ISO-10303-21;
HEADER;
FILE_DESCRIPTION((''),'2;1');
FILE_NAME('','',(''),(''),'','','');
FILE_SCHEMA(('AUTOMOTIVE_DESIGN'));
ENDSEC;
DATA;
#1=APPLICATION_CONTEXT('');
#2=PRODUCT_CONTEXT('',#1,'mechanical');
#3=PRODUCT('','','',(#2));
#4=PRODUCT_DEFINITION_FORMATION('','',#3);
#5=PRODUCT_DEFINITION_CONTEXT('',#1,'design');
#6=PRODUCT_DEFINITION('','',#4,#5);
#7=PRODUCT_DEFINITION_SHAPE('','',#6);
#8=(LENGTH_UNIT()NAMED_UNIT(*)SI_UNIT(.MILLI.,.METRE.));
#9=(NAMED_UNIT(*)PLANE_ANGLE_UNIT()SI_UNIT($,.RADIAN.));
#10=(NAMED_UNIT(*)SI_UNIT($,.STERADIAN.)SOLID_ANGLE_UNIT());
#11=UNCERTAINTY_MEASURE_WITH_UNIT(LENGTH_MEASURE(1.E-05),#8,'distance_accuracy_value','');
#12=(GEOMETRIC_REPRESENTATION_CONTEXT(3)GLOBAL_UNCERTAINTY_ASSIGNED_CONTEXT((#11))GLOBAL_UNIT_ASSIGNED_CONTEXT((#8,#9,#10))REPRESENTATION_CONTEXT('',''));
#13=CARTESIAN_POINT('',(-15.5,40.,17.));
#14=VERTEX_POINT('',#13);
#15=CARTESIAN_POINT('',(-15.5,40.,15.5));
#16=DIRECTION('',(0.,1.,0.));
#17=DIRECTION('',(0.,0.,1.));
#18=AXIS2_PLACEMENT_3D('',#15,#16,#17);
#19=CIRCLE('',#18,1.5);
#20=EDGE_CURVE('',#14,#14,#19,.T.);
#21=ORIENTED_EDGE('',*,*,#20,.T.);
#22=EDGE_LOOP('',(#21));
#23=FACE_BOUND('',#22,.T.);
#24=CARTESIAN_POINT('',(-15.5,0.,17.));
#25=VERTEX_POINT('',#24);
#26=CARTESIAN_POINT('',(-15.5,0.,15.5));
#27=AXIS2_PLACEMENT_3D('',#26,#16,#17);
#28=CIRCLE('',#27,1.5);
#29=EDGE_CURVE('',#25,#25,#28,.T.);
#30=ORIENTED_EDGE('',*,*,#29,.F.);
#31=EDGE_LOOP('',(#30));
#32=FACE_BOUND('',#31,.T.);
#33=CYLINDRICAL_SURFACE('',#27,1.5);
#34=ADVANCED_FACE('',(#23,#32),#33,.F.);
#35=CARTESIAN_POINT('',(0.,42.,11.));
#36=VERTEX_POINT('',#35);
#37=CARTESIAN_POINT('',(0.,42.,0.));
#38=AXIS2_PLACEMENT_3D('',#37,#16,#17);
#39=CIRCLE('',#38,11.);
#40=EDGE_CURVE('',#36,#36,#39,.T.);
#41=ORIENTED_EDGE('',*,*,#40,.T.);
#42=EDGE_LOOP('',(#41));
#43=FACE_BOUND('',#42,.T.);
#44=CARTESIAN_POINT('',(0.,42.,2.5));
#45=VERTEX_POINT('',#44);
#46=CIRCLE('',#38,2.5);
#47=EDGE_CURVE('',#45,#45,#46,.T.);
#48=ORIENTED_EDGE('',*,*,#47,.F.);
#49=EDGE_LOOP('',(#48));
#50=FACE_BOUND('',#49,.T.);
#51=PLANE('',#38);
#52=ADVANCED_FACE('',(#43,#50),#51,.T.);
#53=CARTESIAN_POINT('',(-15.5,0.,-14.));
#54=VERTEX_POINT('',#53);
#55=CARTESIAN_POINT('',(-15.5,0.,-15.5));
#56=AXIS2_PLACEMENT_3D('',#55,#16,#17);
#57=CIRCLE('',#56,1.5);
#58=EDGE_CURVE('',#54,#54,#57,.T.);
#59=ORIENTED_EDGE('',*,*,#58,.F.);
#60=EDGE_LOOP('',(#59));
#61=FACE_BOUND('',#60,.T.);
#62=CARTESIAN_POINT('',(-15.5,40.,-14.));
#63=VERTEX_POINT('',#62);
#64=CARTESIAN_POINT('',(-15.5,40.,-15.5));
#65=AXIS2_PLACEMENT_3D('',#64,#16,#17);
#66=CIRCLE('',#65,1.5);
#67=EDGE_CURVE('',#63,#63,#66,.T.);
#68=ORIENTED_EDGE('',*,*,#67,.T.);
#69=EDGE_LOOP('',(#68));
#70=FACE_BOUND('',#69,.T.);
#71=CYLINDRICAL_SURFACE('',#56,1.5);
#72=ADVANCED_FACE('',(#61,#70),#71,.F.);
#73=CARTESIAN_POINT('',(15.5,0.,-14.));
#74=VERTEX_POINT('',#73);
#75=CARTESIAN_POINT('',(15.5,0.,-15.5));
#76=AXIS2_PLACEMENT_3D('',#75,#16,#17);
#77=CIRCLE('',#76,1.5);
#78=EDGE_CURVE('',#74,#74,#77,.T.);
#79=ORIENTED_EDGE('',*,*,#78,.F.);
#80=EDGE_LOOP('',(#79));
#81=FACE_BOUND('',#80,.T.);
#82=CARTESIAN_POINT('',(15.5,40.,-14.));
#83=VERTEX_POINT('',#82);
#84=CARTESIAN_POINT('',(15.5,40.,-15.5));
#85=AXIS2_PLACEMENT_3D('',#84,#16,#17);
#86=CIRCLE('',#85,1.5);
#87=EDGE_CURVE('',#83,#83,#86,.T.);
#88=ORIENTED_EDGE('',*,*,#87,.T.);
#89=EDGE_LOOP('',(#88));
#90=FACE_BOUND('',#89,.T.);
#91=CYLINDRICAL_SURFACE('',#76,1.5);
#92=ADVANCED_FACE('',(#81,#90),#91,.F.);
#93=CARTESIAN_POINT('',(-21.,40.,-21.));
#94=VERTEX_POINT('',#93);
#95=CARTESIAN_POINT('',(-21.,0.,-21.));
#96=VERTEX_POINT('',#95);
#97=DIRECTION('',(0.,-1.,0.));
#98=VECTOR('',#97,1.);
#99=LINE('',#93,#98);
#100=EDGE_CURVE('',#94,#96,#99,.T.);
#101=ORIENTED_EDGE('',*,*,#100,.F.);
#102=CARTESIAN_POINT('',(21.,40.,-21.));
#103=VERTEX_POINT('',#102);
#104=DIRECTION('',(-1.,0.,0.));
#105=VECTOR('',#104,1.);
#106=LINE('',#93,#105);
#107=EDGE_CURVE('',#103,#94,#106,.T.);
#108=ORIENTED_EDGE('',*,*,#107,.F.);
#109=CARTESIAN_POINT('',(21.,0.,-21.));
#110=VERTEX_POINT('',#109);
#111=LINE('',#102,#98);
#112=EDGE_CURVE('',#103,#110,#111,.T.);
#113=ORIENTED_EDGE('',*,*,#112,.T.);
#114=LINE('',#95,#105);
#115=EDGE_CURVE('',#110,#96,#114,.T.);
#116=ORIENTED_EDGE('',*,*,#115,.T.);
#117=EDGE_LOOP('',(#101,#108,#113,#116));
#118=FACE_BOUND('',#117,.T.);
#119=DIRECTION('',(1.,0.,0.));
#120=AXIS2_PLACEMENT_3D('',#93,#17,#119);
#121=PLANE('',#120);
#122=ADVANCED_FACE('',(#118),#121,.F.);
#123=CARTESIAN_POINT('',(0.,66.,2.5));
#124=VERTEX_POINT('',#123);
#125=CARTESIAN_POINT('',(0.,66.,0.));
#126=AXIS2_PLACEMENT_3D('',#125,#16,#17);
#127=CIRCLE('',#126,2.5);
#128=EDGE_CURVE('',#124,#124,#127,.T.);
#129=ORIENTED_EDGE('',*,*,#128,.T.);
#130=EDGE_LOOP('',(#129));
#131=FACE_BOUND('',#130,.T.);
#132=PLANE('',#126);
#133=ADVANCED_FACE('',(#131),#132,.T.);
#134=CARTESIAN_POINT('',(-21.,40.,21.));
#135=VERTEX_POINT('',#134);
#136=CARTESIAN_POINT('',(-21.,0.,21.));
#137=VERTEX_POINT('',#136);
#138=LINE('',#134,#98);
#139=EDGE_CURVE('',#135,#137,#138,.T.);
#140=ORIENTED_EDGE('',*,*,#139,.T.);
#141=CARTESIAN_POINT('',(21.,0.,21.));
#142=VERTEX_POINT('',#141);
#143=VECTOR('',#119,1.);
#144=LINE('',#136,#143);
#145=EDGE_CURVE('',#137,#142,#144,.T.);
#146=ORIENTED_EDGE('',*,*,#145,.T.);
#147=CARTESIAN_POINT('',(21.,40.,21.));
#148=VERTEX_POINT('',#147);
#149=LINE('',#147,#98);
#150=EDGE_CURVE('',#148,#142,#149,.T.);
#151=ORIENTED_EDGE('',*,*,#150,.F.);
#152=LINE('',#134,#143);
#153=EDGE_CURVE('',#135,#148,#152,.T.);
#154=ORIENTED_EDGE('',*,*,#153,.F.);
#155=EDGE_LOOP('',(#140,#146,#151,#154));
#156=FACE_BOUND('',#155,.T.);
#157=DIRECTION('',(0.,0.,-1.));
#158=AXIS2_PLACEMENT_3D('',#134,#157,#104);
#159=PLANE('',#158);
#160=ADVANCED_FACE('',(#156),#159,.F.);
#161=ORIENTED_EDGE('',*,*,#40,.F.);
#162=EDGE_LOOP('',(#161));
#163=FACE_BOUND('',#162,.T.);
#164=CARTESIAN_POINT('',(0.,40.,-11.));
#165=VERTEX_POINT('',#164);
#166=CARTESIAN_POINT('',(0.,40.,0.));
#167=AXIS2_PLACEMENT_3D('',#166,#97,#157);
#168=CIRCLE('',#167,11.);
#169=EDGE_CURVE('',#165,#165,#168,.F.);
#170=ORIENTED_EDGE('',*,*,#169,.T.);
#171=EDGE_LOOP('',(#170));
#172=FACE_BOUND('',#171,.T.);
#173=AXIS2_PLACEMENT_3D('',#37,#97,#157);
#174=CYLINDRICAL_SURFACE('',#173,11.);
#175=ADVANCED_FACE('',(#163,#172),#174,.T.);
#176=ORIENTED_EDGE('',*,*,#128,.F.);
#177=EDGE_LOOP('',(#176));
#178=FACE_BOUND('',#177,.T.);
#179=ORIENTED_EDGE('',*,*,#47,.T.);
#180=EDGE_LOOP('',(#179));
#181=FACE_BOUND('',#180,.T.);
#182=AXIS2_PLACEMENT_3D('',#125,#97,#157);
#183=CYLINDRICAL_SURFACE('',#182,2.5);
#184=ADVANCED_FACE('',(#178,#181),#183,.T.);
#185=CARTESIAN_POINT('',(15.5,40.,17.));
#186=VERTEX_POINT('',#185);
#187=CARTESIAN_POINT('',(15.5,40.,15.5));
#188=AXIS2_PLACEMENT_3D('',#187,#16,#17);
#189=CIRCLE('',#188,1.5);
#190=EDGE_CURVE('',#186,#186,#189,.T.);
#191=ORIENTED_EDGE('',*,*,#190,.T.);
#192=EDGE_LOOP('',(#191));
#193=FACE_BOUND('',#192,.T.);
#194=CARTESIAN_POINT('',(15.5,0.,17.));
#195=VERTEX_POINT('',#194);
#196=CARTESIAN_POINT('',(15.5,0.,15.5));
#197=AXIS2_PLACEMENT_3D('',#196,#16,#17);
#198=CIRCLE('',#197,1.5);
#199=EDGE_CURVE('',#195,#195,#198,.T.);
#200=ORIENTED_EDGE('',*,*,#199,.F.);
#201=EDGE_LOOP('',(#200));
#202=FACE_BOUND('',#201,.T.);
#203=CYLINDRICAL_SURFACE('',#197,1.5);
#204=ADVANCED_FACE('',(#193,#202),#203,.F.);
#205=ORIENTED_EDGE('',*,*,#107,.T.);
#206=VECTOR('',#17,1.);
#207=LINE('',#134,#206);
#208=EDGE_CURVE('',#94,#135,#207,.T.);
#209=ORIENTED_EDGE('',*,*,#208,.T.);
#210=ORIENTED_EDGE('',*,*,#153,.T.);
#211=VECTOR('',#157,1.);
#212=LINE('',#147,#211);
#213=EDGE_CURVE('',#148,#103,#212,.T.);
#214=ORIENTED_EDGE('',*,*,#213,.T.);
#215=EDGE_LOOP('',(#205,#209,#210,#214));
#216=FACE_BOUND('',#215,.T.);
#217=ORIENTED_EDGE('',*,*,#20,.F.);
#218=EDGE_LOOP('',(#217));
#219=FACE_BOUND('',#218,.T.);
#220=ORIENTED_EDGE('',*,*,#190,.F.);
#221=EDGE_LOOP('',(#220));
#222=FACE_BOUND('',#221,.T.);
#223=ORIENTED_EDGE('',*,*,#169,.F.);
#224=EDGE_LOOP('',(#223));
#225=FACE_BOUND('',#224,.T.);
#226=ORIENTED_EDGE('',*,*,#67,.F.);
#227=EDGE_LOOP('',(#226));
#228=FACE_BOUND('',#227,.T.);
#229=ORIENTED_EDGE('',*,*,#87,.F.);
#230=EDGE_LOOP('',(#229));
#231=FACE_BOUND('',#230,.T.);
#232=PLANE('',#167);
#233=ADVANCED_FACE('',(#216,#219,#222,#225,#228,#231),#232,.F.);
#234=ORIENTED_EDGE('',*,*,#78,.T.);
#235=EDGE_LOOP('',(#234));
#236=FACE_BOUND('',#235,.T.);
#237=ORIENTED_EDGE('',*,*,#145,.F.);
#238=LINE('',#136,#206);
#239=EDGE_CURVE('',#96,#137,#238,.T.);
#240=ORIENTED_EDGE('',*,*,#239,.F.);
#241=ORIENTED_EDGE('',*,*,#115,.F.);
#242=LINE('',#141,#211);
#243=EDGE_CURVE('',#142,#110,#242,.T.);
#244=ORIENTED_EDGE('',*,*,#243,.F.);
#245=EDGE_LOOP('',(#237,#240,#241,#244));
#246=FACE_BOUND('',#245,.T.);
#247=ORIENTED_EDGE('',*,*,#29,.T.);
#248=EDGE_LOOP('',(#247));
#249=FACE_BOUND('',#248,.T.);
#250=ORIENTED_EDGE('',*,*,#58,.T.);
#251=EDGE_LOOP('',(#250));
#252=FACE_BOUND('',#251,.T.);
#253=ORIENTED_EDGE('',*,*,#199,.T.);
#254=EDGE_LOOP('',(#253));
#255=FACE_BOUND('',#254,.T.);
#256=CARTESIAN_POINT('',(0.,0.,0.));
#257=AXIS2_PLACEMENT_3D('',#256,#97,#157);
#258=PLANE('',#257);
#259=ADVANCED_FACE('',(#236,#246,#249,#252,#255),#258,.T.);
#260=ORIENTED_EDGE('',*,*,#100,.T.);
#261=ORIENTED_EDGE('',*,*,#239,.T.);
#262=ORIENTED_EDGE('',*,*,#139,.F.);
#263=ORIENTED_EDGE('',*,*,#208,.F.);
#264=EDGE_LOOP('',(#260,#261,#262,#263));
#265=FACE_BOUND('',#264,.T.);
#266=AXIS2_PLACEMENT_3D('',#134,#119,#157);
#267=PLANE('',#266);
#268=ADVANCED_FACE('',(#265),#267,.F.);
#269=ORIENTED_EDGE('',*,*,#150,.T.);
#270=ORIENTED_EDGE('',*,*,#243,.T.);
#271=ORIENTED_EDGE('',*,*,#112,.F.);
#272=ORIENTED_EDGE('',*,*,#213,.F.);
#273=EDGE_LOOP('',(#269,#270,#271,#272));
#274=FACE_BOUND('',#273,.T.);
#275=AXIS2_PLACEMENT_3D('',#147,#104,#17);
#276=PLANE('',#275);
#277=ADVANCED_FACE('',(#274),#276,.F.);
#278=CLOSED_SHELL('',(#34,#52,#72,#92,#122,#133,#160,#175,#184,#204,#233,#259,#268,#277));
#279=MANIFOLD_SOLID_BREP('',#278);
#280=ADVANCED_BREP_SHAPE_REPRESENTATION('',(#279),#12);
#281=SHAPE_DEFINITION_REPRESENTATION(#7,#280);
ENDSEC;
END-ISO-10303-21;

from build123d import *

# Parameters (mm, degrees)
SKETCH_1_W          = 42
SKETCH_1_H          = 42
EXTRUDE_1_DEPTH     = 40
SKETCH_3_R          = 1.5
CUT_EXTRUDE_1_DEPTH = 50.819674828
SKETCH_4_R          = 11
EXTRUDE_2_DEPTH     = 2
SKETCH_5_R          = 2.5
EXTRUDE_3_DEPTH     = 24


with BuildPart() as part:
    # 스케치1 → 보스-돌출1 (new body)
    with BuildSketch(Plane(origin=(0, 0, 0), x_dir=(1, 0, 0), z_dir=(0, 1, 0))):
        Rectangle(SKETCH_1_W, SKETCH_1_H)
    extrude(amount=EXTRUDE_1_DEPTH)

    # 스케치3 → 컷-돌출1 (cut, through all)
    with BuildSketch(Plane(origin=(0, 40, 0), x_dir=(1, 0, 0), z_dir=(0, 1, 0))):
        with Locations(Location((-15.5, 15.5, 0), (0, 0, 270))):
            Circle(SKETCH_3_R)
        with Locations(Location((15.5, 15.5, 0), (0, 0, 270))):
            Circle(SKETCH_3_R)
        with Locations(Location((15.5, -15.5, 0), (0, 0, 270))):
            Circle(SKETCH_3_R)
        with Locations(Location((-15.5, -15.5, 0), (0, 0, 270))):
            Circle(SKETCH_3_R)
    extrude(amount=-CUT_EXTRUDE_1_DEPTH, mode=Mode.SUBTRACT)

    # 스케치4 → 보스-돌출2 (add)
    with BuildSketch(Plane(origin=(0, 40, 0), x_dir=(1, 0, 0), z_dir=(0, 1, 0))):
        with Locations(Location((0, 0, 0), (0, 0, 90))):
            Circle(SKETCH_4_R)
    extrude(amount=EXTRUDE_2_DEPTH)

    # 스케치5 → 보스-돌출3 (add)
    with BuildSketch(Plane(origin=(0, 42, 0), x_dir=(1, 0, 0), z_dir=(0, 1, 0))):
        with Locations(Location((0, 0, 0), (0, 0, 270))):
            Circle(SKETCH_5_R)
    extrude(amount=EXTRUDE_3_DEPTH)


solid = part.part
